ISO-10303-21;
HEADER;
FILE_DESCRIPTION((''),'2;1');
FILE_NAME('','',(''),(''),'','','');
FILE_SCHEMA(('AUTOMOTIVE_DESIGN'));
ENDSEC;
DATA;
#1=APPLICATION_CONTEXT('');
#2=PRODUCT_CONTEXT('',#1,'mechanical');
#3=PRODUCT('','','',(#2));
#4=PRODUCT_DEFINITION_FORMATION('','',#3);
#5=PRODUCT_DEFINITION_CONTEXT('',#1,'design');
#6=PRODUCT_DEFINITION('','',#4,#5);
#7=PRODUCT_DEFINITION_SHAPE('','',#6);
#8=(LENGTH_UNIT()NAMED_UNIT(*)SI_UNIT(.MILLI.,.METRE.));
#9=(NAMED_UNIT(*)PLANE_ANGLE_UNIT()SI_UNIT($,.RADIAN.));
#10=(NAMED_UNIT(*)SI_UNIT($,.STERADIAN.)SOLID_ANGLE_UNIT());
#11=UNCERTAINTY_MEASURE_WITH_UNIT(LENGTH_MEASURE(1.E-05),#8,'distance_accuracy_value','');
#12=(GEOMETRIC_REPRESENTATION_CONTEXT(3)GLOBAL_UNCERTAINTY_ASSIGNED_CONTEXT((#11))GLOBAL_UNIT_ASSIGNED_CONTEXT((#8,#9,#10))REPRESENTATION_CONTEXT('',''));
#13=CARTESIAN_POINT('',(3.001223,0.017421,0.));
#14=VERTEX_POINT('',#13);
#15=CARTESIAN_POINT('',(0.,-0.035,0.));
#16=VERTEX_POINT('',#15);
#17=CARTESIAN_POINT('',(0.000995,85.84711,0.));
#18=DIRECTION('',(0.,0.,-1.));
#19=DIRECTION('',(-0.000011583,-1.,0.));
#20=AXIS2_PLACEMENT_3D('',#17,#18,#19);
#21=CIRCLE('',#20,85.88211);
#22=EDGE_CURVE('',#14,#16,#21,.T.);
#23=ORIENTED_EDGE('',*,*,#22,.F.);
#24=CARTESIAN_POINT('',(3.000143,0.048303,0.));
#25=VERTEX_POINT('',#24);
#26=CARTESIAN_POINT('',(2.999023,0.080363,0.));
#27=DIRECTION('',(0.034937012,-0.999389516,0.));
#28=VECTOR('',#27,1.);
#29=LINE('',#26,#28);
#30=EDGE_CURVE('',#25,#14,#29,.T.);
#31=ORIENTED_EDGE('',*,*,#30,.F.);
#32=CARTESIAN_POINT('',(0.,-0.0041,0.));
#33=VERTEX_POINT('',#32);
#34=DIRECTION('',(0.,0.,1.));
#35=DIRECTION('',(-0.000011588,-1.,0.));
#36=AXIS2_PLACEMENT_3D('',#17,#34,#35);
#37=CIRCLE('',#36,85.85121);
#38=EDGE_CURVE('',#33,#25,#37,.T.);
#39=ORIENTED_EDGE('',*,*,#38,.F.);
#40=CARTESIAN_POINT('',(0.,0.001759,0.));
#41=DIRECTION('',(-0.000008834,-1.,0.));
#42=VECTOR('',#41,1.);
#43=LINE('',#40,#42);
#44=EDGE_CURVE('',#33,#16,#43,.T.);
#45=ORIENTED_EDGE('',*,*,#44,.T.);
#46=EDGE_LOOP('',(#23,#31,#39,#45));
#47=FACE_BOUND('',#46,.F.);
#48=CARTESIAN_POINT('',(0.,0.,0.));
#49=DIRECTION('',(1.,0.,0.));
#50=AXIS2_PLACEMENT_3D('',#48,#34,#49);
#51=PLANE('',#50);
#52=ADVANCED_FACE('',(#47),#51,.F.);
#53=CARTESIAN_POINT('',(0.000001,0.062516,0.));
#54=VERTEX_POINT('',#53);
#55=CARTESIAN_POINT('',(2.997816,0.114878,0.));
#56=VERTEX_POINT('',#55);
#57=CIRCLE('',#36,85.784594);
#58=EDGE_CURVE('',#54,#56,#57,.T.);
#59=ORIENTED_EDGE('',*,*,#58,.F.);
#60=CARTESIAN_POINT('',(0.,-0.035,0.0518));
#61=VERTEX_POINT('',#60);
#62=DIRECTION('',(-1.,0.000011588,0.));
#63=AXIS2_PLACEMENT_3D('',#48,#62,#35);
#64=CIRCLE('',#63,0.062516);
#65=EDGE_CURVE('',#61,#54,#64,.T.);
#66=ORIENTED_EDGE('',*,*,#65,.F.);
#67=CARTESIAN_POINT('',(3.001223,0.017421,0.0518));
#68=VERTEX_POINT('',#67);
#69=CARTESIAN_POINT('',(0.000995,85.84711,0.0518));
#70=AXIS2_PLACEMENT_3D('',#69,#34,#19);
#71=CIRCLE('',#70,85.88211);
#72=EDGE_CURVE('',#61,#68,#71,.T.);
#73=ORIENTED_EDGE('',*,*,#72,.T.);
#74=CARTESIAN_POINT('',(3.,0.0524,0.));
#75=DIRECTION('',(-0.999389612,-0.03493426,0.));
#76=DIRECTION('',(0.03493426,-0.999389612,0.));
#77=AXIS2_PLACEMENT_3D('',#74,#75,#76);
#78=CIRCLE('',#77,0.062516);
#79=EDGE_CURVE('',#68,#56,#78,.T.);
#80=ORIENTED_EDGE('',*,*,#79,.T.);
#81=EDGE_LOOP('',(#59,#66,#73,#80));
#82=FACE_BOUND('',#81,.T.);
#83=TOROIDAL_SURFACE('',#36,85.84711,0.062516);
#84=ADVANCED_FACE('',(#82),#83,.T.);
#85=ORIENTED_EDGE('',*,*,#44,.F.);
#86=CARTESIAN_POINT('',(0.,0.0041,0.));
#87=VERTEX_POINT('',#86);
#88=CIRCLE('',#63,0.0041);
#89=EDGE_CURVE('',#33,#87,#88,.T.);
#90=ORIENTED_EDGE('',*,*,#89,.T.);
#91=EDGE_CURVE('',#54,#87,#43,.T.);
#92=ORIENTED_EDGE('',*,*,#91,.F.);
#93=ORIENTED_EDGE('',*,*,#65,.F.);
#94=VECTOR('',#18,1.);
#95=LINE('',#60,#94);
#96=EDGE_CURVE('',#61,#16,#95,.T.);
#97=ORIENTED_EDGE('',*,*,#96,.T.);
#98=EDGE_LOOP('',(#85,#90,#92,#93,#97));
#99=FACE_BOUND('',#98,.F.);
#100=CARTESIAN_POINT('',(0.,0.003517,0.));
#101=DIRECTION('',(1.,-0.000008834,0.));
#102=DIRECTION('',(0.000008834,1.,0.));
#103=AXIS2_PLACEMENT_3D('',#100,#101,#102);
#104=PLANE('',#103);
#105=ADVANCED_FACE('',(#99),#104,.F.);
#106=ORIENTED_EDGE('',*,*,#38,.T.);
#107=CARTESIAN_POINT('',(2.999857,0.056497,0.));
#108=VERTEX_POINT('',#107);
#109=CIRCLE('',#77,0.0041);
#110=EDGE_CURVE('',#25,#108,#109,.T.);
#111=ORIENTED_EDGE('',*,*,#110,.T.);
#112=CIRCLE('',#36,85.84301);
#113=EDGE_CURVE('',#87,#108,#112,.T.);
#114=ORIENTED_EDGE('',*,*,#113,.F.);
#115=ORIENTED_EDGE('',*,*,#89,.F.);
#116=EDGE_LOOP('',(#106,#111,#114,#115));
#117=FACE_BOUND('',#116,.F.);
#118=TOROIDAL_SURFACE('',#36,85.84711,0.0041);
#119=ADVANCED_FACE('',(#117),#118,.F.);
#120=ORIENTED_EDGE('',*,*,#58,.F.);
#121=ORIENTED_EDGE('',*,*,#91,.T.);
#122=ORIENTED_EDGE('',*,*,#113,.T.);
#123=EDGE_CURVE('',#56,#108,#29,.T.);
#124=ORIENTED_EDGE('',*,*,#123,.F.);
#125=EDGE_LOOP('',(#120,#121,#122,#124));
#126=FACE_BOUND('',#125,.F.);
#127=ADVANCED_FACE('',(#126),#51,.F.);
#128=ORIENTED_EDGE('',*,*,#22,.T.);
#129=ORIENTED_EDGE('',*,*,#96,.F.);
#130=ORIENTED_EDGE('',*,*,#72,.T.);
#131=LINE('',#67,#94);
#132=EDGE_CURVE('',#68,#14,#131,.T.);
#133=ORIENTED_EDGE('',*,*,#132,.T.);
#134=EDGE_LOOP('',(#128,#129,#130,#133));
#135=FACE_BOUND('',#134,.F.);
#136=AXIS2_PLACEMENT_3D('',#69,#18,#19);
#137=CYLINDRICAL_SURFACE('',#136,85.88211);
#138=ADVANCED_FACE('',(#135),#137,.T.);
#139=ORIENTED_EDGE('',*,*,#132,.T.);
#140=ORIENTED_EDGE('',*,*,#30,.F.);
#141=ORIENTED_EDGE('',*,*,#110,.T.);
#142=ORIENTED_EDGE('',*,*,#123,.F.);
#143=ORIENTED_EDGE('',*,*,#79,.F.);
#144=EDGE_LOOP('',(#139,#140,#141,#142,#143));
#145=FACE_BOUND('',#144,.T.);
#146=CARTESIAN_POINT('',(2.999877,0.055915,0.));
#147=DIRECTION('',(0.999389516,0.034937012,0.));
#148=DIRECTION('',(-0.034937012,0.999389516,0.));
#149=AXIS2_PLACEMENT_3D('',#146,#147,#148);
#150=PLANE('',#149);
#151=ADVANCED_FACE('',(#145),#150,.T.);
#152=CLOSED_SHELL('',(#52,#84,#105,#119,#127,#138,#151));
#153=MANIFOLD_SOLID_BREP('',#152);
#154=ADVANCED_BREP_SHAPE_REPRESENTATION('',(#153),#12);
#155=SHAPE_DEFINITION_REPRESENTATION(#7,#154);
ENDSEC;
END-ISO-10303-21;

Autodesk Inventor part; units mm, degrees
ref_plane "YZ Plane" through (0, 0, 0) normal (1, 0, 0) x (0, 1, 0)
ref_plane "XZ Plane" through (0, 0, 0) normal (0, 1, 0) x (-1, 0, 0)
ref_plane "XY Plane" through (0, 0, 0) normal (0, 0, 1) x (1, 0, 0)
sketch "Esboço2" plane through (0, 0, 0) normal (1, 0, 0) x (0, 1, 0)
  circle A0 centre (0, 0) radius 0.0041
  arc A1 (-0.035, -0.0518) -> (-0.035, 0.0518) centre (0, 0) ccw
  line L0 (-0.035, 0.0518) -> (-0.035, -0.0518)
  dimension "d15" = 0.125
  dimension "d16" = 0.0082
  dimension "d17" = 0.035
sketch "Esboço1" plane through (0, 0, 0) normal (0, 0, 1) x (1, 0, 0)
  line L0 (0, 0) -> (3, 0.0524) construction
  line L1 (0, 0) -> (3, 0) construction
  arc A0 (0, 0) -> (3, 0.0524) centre (0, 85.9611) ccw
  dimension "d0" = 1
  dimension "d1" = 3
sweep "Varredura4" add profiles "Esboço2" path "Esboço1"
sketch "Esboço4" plane through (0, 0, 0) normal (0, 0, 1) x (1, 0, 0)
  line L0 (3.0802, 0.5654) -> (-0.2032, 0.5654)
  line L1 (-0.2032, 0.5654) -> (-0.2032, -0.5119)
  line L2 (-0.2032, -0.5119) -> (3.0802, -0.5119)
  line L3 (3.0802, -0.5119) -> (3.0802, 0.5654)
  point P0 (0, 0)
extrude "Extrusão2" cut sketch "Esboço4" against normal blind 10
